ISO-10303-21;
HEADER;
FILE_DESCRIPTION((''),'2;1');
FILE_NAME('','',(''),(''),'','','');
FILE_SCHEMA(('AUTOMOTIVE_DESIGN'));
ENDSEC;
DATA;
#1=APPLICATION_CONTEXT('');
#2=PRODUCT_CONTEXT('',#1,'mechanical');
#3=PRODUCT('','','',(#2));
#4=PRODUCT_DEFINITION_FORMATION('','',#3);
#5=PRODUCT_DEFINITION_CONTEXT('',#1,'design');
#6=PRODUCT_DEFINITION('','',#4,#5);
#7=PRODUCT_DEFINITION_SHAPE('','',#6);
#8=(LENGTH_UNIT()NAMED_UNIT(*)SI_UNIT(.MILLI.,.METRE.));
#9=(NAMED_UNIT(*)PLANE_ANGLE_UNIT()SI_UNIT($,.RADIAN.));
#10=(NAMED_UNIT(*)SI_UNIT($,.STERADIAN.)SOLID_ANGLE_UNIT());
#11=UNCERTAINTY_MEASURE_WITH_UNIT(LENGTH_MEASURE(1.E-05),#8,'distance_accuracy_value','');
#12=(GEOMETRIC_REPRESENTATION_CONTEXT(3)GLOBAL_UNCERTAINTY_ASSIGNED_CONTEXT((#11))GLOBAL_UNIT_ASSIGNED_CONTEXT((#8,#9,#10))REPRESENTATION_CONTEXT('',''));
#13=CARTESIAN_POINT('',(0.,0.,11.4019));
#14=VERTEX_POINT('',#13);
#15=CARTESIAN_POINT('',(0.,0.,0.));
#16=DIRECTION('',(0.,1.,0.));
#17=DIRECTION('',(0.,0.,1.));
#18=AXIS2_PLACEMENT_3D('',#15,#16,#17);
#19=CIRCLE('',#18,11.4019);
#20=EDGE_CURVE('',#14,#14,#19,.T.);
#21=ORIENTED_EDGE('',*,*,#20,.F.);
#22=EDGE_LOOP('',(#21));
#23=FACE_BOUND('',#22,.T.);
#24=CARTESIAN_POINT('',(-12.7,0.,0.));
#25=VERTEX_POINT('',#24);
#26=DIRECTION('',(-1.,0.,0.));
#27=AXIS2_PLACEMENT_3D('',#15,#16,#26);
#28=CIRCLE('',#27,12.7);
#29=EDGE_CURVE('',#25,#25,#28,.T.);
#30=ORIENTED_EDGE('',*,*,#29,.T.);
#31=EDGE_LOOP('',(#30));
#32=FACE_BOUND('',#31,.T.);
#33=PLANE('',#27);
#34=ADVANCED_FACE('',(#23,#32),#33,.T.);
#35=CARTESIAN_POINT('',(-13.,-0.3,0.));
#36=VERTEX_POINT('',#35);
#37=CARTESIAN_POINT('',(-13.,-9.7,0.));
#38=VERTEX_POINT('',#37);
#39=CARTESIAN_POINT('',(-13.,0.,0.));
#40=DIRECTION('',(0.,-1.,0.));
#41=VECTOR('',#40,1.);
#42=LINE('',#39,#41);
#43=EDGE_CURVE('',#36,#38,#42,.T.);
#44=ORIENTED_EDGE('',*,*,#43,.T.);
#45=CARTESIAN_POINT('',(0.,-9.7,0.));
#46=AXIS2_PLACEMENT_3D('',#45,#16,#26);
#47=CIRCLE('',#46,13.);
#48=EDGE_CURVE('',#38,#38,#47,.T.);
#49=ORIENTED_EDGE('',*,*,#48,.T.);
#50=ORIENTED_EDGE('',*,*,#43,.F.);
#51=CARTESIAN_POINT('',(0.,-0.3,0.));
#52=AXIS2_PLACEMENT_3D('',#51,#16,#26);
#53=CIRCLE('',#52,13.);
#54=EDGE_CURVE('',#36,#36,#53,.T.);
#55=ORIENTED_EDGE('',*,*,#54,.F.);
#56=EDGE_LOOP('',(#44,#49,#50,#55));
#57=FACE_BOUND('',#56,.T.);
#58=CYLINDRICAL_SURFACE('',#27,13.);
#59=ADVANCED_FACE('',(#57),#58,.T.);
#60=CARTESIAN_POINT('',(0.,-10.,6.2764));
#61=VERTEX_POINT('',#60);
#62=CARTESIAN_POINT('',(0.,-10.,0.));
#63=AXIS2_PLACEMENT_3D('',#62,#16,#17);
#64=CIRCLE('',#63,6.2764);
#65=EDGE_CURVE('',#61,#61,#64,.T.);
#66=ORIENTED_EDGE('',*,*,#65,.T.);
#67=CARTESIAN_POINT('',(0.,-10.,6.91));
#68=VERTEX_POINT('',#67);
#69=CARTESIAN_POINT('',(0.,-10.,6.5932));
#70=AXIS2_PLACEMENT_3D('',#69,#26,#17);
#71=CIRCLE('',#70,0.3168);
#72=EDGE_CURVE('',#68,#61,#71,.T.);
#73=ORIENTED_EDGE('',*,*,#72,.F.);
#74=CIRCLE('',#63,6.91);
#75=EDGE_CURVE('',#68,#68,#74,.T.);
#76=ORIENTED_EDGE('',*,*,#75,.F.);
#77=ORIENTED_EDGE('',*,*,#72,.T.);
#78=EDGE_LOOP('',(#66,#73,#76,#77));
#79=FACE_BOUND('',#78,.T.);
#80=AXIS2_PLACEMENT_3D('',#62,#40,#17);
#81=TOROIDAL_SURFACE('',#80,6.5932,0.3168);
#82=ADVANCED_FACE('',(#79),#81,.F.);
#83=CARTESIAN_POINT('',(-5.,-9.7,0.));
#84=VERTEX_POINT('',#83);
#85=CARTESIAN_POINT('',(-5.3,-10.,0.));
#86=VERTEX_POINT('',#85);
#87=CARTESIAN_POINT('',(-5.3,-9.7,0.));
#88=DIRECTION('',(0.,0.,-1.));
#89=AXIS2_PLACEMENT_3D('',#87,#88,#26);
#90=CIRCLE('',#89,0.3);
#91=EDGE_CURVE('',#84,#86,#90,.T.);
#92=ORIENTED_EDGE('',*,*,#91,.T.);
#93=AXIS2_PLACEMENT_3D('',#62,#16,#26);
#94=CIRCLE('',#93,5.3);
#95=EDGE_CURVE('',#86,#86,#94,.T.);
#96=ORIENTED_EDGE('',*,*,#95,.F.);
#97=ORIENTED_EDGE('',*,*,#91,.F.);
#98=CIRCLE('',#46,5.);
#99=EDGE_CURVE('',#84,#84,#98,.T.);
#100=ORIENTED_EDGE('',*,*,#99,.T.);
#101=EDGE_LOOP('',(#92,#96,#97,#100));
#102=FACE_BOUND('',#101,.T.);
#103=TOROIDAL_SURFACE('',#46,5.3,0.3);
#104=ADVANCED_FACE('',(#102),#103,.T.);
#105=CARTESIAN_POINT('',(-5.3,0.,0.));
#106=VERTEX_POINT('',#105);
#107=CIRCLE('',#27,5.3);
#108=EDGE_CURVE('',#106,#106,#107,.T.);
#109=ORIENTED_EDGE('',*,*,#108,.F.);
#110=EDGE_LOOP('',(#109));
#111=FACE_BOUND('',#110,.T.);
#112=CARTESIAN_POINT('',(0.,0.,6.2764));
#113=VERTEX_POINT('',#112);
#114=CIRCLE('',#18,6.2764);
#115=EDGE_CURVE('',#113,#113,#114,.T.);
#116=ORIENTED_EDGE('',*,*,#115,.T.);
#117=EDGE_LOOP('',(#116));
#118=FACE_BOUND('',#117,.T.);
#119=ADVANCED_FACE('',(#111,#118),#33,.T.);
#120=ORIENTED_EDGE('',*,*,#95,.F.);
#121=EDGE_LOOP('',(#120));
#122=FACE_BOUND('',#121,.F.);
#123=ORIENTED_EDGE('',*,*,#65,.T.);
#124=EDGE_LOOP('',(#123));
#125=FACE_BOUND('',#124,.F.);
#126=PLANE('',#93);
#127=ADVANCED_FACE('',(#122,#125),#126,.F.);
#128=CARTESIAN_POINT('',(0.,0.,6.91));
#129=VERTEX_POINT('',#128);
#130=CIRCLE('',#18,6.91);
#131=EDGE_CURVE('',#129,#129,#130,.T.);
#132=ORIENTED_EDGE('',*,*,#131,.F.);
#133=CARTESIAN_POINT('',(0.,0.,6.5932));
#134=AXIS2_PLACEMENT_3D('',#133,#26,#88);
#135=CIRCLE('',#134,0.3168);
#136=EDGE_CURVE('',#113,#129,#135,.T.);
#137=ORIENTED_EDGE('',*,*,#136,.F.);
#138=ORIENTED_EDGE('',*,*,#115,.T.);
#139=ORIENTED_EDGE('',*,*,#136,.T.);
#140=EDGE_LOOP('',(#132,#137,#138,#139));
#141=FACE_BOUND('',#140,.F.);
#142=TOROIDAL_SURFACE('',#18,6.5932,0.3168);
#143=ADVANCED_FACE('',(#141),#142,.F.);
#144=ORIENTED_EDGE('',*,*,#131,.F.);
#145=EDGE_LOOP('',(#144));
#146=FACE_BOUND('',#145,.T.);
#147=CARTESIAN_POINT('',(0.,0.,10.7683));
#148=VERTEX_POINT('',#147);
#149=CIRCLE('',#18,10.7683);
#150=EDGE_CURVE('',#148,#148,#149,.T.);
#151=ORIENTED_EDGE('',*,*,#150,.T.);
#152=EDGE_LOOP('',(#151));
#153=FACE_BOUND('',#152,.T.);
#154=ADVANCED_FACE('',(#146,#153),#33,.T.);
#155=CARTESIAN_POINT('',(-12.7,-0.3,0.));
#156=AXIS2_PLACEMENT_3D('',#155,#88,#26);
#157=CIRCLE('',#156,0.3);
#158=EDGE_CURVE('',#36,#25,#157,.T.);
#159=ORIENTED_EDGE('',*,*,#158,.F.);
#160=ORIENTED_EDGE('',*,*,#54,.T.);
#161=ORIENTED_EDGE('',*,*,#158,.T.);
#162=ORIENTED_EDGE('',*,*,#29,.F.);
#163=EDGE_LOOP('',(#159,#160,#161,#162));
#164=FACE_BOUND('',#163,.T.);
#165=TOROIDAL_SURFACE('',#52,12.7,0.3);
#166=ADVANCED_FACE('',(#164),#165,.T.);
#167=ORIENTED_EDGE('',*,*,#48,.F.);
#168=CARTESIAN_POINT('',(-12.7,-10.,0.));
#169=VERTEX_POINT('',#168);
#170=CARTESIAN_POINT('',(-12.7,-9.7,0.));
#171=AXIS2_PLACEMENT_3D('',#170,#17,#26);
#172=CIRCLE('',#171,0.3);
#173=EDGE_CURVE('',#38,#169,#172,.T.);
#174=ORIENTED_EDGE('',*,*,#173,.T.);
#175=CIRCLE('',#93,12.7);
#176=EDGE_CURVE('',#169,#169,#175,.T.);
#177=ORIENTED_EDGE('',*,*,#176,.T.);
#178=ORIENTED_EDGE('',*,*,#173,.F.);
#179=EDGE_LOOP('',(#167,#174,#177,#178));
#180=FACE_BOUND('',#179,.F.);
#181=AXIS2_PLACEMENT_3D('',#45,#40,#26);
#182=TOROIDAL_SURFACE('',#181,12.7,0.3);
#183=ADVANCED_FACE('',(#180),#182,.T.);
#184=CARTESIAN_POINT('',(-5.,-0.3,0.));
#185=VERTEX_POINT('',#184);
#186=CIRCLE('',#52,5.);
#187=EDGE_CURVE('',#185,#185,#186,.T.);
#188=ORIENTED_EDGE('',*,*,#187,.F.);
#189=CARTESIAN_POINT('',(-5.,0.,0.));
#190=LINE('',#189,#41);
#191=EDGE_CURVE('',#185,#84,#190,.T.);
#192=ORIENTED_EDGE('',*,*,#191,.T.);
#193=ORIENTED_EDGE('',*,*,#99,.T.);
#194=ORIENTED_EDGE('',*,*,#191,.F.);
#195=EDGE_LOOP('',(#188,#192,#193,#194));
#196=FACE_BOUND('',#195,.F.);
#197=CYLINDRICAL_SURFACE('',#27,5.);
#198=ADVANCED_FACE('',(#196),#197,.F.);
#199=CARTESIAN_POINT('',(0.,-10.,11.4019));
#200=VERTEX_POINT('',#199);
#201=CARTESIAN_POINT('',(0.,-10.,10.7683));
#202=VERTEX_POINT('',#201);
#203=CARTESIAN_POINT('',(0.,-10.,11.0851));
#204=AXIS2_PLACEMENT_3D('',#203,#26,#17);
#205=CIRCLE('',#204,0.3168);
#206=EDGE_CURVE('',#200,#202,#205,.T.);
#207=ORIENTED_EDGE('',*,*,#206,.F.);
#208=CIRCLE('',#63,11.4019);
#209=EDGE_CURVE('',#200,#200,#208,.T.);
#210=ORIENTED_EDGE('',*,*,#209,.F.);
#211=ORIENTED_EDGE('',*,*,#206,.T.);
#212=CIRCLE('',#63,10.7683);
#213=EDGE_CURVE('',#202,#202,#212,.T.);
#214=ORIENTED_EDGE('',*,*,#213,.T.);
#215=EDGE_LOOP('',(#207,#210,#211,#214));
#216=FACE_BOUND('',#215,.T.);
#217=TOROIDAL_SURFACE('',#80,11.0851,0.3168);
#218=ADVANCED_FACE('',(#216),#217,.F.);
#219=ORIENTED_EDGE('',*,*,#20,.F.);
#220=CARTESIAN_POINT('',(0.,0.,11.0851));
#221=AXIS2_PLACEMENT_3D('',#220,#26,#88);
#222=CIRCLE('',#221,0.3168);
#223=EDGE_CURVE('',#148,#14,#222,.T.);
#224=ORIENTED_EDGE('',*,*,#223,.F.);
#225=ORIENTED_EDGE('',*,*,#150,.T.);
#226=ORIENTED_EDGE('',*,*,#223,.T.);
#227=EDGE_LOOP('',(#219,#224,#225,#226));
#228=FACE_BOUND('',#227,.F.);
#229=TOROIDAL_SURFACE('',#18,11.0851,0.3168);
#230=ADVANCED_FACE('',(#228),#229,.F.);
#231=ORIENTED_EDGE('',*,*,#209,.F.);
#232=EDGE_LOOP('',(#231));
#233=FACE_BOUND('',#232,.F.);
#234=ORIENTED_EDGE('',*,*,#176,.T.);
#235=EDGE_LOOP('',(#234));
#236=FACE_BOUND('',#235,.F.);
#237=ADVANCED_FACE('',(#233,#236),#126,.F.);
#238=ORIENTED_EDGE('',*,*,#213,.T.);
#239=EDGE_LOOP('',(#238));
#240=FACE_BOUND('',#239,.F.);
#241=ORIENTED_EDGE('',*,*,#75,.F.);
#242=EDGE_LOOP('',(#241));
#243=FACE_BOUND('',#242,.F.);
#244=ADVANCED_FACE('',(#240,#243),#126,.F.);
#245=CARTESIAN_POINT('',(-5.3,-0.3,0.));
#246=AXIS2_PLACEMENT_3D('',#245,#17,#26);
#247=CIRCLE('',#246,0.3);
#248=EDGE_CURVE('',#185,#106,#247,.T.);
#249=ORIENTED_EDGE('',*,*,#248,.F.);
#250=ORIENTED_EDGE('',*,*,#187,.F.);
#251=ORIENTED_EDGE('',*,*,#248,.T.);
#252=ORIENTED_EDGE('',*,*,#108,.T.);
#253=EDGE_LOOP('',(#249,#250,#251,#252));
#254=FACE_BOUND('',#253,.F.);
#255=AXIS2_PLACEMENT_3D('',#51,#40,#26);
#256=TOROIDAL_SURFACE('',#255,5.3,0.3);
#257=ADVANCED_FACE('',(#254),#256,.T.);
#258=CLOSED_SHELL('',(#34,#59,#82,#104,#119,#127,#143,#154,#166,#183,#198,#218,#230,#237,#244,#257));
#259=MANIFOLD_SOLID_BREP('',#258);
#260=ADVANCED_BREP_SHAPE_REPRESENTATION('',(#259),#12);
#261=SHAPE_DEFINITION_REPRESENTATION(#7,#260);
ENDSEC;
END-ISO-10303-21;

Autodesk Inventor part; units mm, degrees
ref_plane "YZ Plane" through (0, 0, 0) normal (1, 0, 0) x (0, 1, 0)
ref_plane "XZ Plane" through (0, 0, 0) normal (0, 1, 0) x (-1, 0, 0)
sketch "Sketch1" plane through (0, 0, 0) normal (0, 1, 0) x (-1, 0, 0)
  circle A0 centre (0, 0) radius 5
  circle A1 centre (0, 0) radius 13
  dimension "d0" = 10
  dimension "d1" = 26
extrude "Extrusion1" add sketch "Sketch1" against normal blind 10
fillet "Fillet1" radius 0.3 4 edges at (13, 0, 0) (13, -10, 0) (5, 0, 0) (5, -10, 0)
sketch "Sketch2" plane through (0, 0, 0) normal (1, 0, 0) x (0, 1, 0)
  line L0 (-10, -12.7) -> (-10, 12.7) projected
  line L1 (-0.3, 13) -> (-9.7, 13) projected
  circle A0 centre (-10, 11.0851) radius 0.3168
  circle A1 centre (-10, 6.5932) radius 0.3168
  line L2 (-11.3512, 0) -> (1.8919, 0) projected
  point P0 (0, 0)
revolve "Revolution1" cut sketch "Sketch2" angle 360 about axis through (0, -10, 0) along (0, 1, 0)
ref_plane "Work Plane1" through (0, -5, 0) normal (0, 1, 0) x (1, 0, 0)
mirror "Mirror1" about plane through (0, -5, 0) normal (0, 1, 0) of "Revolution1"
properties part number "SHU620002RSC3" material "Stainless Steel, 440C"
